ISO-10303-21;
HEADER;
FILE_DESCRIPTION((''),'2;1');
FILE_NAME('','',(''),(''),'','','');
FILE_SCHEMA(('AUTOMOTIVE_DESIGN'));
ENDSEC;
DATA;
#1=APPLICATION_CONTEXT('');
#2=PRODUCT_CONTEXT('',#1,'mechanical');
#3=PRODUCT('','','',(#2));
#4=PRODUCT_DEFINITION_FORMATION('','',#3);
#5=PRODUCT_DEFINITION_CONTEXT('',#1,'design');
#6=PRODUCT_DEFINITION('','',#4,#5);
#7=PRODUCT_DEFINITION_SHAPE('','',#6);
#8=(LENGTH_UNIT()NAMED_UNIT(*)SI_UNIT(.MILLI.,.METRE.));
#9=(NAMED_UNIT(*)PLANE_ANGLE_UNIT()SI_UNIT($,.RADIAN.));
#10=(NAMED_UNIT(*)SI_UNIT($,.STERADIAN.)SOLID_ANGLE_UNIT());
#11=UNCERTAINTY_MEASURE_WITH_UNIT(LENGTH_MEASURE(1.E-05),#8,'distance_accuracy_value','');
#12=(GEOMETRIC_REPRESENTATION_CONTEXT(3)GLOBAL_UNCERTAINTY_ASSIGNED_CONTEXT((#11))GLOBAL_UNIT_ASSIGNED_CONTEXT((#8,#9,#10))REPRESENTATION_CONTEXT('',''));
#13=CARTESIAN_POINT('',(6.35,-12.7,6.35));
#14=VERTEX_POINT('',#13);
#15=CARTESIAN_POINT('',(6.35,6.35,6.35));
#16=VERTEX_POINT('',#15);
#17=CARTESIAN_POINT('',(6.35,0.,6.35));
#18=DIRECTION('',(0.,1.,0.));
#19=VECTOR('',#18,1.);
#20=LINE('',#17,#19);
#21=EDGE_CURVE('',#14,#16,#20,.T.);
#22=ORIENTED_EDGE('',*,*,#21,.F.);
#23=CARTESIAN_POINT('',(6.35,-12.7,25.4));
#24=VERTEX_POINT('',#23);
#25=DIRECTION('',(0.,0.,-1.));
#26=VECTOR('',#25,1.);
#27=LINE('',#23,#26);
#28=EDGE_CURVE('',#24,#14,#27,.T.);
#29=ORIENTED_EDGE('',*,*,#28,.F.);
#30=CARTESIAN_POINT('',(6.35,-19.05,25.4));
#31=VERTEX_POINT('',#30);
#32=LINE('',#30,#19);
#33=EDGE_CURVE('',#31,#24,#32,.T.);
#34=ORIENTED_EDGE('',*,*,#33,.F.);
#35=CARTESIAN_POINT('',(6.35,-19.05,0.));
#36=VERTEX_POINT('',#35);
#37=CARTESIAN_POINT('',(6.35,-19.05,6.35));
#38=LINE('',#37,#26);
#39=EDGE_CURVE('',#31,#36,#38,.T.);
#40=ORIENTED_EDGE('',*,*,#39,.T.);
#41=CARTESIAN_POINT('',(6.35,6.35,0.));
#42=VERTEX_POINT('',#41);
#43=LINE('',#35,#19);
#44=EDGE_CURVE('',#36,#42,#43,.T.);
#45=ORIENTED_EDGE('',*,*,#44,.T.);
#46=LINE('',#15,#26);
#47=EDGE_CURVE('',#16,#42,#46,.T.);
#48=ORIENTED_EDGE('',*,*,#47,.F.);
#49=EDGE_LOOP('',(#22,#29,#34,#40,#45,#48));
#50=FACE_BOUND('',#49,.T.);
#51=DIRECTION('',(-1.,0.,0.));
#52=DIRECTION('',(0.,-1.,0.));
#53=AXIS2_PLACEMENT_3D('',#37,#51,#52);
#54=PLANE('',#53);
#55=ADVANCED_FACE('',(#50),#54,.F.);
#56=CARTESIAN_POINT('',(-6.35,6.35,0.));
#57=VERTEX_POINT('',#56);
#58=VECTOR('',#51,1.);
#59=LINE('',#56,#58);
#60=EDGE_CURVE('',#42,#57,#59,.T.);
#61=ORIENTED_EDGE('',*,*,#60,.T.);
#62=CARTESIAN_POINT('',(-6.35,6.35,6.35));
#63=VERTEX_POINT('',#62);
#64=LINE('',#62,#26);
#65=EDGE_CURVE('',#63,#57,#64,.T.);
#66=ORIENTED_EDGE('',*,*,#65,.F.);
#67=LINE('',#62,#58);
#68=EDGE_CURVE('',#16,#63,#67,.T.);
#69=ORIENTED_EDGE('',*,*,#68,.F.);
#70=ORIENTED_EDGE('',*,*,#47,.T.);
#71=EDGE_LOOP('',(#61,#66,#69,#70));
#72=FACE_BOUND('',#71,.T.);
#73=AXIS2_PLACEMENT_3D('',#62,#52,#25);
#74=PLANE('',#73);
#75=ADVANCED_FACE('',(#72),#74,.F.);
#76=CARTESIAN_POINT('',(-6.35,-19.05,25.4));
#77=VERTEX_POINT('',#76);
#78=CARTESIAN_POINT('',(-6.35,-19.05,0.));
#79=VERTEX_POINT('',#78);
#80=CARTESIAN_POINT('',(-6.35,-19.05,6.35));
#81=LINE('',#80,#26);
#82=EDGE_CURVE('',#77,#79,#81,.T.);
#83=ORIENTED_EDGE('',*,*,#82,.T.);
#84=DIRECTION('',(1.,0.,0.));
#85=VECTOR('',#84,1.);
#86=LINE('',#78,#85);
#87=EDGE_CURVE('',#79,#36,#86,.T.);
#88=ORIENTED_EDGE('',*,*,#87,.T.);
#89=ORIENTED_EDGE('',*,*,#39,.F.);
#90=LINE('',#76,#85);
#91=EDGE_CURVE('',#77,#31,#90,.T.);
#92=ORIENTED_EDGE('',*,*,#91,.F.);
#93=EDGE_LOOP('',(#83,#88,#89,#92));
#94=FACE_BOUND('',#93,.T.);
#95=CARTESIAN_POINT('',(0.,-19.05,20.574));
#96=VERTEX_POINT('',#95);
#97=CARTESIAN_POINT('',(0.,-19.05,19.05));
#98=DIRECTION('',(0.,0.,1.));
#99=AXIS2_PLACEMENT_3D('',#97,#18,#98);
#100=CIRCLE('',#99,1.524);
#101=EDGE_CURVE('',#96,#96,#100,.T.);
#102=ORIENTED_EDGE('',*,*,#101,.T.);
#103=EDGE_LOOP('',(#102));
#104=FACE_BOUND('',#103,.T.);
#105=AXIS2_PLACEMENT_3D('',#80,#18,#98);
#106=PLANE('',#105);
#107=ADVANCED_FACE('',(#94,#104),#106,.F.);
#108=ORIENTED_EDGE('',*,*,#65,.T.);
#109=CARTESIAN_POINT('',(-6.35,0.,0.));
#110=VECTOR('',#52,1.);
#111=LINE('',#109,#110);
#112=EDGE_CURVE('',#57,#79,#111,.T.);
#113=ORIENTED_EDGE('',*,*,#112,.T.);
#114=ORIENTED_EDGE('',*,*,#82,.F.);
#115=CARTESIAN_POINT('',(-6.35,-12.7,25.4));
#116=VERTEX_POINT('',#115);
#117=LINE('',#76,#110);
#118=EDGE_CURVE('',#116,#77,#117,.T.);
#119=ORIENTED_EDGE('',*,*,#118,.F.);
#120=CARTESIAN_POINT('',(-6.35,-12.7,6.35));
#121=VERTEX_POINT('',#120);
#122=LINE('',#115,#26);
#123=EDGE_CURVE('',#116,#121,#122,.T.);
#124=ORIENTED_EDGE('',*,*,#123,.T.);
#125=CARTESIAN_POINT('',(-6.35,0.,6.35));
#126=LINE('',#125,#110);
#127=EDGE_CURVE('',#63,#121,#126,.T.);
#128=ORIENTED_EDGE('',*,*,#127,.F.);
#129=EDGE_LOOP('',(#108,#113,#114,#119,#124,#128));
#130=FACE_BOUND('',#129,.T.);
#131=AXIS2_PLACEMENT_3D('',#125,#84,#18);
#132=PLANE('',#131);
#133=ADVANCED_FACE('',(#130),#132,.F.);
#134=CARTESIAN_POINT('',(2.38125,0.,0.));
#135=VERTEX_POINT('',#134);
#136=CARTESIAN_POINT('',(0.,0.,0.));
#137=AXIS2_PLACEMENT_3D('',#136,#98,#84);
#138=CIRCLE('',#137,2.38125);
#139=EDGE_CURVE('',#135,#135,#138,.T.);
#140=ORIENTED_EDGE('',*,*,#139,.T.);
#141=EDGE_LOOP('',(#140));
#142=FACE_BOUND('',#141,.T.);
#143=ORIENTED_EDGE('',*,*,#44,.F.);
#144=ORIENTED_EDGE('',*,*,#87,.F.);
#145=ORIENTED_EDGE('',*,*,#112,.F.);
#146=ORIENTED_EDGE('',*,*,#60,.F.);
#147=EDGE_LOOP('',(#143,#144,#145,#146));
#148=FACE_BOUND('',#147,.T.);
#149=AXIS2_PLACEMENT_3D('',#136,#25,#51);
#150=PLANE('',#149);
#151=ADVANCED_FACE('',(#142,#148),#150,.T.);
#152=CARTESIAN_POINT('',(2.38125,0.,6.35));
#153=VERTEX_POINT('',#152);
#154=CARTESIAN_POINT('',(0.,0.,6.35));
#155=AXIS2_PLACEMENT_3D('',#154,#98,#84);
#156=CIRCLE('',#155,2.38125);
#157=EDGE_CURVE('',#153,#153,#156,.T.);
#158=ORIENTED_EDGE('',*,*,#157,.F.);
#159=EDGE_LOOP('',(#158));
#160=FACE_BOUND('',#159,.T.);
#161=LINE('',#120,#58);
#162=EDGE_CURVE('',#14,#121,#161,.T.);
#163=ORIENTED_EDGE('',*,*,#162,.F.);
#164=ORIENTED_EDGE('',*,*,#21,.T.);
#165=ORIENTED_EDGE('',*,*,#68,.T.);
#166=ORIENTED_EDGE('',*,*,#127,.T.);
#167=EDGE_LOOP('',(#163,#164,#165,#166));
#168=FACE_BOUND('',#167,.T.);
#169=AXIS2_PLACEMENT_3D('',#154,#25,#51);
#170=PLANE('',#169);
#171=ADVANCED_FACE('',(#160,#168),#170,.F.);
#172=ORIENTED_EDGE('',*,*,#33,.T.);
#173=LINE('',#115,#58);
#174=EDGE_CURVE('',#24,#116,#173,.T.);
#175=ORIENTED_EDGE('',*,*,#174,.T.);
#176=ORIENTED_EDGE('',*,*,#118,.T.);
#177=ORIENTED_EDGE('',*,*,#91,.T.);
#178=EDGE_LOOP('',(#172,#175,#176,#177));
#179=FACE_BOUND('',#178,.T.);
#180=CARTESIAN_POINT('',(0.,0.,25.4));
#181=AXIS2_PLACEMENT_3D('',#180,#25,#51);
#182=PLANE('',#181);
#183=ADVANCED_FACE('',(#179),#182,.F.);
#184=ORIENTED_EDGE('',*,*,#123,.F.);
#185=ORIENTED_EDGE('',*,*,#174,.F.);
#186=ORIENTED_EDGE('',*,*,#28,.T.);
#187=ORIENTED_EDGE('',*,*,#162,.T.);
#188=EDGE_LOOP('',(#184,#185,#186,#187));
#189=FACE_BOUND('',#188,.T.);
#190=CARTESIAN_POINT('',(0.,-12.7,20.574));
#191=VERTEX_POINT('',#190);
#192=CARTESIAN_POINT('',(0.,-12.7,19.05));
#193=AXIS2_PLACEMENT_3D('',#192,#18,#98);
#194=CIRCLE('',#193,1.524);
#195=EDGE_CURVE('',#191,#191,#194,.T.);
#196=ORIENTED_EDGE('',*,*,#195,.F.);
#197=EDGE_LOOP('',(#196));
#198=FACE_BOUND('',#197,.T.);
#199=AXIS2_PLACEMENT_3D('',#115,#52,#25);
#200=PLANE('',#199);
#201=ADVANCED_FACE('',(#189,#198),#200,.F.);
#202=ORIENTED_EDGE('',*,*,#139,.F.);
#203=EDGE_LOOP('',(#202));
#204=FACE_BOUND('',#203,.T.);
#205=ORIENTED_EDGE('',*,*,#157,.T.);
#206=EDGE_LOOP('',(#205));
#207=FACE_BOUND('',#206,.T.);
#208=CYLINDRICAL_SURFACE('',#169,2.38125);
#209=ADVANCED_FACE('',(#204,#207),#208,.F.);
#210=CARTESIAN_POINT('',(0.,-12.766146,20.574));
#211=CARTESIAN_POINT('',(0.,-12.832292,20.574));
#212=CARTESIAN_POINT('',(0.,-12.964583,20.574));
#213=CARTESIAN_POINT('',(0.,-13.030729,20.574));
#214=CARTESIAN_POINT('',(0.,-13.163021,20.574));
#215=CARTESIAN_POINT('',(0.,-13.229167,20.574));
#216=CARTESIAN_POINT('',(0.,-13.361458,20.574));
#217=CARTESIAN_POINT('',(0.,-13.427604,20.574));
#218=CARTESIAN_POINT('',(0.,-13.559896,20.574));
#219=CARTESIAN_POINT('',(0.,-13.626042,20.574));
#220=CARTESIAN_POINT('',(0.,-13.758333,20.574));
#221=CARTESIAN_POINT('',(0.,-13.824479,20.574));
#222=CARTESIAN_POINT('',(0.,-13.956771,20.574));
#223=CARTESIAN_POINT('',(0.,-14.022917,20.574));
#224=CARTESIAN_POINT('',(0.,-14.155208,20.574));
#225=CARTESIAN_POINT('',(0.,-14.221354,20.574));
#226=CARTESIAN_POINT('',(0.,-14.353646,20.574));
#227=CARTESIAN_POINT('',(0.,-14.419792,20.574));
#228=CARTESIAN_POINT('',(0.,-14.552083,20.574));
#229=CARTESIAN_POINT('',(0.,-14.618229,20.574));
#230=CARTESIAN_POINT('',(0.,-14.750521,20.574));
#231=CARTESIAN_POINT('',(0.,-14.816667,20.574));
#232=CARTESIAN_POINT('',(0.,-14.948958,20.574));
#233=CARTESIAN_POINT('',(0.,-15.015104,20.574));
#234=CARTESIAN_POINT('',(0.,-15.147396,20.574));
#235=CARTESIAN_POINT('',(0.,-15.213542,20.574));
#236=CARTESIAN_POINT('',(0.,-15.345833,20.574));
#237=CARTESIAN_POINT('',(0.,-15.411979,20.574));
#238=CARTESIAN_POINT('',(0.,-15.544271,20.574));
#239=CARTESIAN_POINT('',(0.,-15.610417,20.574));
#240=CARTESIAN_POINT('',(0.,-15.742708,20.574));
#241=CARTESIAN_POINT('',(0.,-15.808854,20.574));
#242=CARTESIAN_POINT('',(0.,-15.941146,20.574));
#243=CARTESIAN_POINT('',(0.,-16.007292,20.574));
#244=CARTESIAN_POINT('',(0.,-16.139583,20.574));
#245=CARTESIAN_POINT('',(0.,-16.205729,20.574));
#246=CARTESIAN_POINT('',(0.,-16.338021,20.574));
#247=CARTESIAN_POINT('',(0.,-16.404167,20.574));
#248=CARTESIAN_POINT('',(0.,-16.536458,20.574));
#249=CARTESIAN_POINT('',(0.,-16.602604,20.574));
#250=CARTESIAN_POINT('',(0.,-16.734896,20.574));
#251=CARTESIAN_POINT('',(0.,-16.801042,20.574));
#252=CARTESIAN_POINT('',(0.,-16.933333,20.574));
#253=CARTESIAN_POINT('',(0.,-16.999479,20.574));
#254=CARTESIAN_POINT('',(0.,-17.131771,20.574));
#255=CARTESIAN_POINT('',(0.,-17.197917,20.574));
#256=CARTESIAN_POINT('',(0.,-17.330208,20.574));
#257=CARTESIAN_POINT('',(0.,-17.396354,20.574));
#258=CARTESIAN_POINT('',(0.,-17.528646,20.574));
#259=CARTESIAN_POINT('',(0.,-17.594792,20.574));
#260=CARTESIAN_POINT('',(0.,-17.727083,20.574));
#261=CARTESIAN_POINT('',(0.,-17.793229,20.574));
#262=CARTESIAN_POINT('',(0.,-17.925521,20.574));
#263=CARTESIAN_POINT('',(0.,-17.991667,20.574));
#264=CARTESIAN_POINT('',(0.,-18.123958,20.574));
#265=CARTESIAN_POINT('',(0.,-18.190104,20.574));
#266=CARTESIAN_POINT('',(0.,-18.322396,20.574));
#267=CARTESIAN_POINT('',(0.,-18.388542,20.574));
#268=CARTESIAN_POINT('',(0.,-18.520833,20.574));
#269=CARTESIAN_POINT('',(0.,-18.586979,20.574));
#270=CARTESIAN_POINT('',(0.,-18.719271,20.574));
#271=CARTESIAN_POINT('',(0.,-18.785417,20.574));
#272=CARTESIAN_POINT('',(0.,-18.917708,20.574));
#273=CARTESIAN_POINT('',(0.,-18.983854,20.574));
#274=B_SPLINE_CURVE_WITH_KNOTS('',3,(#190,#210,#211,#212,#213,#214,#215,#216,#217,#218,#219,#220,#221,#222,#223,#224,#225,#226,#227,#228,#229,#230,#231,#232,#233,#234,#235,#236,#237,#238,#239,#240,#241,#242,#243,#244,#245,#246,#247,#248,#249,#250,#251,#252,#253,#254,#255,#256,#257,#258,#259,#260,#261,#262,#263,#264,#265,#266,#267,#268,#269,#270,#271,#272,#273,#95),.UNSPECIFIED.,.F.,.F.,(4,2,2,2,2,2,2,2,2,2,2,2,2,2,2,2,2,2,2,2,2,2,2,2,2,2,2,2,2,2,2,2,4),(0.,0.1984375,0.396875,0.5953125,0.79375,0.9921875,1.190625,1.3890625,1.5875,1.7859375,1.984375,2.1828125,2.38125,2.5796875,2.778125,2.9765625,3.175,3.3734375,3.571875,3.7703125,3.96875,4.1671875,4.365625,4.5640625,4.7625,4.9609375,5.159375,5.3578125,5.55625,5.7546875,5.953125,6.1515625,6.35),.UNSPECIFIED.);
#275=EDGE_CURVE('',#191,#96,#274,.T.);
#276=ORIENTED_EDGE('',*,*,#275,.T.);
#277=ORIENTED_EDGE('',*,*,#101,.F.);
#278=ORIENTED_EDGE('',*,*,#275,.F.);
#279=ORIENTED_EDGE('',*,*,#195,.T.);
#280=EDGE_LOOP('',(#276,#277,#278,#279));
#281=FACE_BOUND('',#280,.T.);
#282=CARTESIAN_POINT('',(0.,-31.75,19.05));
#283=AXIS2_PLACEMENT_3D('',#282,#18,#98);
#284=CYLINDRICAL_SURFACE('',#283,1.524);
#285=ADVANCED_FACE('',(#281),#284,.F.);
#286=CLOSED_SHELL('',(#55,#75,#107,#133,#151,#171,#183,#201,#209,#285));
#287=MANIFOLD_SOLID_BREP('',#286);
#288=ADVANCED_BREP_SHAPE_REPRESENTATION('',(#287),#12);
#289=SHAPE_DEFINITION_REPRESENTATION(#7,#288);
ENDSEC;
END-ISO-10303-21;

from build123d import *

# Parameters (mm, degrees)
SKETCH1_R           = 2.38125
BOSS_EXTRUDE1_DEPTH = 6.35
SKETCH2_W           = 12.7
SKETCH2_H           = 6.35
BOSS_EXTRUDE2_DEPTH = 19.05
SKETCH3_R           = 1.524
CUT_EXTRUDE1_DEPTH  = 19.05


with BuildPart() as part:
    # Sketch1 → Boss-Extrude1 (new body)
    with BuildSketch(Plane.XY):
        Polygon((-6.35, 0), (-6.35, -19.05), (6.35, -19.05), (6.35, 0), (6.35, 6.35), (-6.35, 6.35), align=None)
        Circle(SKETCH1_R, mode=Mode.SUBTRACT)
    extrude(amount=BOSS_EXTRUDE1_DEPTH)

    # Sketch2 → Boss-Extrude2 (add)
    with BuildSketch(Plane.XY.offset(6.35)):
        with Locations((0, -15.875)):
            Rectangle(SKETCH2_W, SKETCH2_H)
    extrude(amount=BOSS_EXTRUDE2_DEPTH)

    # Sketch3 → Cut-Extrude1 (cut)
    with BuildSketch(Plane(origin=(0, -12.7, 0), x_dir=(1, 0, 0), z_dir=(0, 1, 0))):
        with Locations(Location((0, -19.05, 0), (0, 0, 270))):
            Circle(SKETCH3_R)
    extrude(amount=-CUT_EXTRUDE1_DEPTH, mode=Mode.SUBTRACT)


solid = part.part
